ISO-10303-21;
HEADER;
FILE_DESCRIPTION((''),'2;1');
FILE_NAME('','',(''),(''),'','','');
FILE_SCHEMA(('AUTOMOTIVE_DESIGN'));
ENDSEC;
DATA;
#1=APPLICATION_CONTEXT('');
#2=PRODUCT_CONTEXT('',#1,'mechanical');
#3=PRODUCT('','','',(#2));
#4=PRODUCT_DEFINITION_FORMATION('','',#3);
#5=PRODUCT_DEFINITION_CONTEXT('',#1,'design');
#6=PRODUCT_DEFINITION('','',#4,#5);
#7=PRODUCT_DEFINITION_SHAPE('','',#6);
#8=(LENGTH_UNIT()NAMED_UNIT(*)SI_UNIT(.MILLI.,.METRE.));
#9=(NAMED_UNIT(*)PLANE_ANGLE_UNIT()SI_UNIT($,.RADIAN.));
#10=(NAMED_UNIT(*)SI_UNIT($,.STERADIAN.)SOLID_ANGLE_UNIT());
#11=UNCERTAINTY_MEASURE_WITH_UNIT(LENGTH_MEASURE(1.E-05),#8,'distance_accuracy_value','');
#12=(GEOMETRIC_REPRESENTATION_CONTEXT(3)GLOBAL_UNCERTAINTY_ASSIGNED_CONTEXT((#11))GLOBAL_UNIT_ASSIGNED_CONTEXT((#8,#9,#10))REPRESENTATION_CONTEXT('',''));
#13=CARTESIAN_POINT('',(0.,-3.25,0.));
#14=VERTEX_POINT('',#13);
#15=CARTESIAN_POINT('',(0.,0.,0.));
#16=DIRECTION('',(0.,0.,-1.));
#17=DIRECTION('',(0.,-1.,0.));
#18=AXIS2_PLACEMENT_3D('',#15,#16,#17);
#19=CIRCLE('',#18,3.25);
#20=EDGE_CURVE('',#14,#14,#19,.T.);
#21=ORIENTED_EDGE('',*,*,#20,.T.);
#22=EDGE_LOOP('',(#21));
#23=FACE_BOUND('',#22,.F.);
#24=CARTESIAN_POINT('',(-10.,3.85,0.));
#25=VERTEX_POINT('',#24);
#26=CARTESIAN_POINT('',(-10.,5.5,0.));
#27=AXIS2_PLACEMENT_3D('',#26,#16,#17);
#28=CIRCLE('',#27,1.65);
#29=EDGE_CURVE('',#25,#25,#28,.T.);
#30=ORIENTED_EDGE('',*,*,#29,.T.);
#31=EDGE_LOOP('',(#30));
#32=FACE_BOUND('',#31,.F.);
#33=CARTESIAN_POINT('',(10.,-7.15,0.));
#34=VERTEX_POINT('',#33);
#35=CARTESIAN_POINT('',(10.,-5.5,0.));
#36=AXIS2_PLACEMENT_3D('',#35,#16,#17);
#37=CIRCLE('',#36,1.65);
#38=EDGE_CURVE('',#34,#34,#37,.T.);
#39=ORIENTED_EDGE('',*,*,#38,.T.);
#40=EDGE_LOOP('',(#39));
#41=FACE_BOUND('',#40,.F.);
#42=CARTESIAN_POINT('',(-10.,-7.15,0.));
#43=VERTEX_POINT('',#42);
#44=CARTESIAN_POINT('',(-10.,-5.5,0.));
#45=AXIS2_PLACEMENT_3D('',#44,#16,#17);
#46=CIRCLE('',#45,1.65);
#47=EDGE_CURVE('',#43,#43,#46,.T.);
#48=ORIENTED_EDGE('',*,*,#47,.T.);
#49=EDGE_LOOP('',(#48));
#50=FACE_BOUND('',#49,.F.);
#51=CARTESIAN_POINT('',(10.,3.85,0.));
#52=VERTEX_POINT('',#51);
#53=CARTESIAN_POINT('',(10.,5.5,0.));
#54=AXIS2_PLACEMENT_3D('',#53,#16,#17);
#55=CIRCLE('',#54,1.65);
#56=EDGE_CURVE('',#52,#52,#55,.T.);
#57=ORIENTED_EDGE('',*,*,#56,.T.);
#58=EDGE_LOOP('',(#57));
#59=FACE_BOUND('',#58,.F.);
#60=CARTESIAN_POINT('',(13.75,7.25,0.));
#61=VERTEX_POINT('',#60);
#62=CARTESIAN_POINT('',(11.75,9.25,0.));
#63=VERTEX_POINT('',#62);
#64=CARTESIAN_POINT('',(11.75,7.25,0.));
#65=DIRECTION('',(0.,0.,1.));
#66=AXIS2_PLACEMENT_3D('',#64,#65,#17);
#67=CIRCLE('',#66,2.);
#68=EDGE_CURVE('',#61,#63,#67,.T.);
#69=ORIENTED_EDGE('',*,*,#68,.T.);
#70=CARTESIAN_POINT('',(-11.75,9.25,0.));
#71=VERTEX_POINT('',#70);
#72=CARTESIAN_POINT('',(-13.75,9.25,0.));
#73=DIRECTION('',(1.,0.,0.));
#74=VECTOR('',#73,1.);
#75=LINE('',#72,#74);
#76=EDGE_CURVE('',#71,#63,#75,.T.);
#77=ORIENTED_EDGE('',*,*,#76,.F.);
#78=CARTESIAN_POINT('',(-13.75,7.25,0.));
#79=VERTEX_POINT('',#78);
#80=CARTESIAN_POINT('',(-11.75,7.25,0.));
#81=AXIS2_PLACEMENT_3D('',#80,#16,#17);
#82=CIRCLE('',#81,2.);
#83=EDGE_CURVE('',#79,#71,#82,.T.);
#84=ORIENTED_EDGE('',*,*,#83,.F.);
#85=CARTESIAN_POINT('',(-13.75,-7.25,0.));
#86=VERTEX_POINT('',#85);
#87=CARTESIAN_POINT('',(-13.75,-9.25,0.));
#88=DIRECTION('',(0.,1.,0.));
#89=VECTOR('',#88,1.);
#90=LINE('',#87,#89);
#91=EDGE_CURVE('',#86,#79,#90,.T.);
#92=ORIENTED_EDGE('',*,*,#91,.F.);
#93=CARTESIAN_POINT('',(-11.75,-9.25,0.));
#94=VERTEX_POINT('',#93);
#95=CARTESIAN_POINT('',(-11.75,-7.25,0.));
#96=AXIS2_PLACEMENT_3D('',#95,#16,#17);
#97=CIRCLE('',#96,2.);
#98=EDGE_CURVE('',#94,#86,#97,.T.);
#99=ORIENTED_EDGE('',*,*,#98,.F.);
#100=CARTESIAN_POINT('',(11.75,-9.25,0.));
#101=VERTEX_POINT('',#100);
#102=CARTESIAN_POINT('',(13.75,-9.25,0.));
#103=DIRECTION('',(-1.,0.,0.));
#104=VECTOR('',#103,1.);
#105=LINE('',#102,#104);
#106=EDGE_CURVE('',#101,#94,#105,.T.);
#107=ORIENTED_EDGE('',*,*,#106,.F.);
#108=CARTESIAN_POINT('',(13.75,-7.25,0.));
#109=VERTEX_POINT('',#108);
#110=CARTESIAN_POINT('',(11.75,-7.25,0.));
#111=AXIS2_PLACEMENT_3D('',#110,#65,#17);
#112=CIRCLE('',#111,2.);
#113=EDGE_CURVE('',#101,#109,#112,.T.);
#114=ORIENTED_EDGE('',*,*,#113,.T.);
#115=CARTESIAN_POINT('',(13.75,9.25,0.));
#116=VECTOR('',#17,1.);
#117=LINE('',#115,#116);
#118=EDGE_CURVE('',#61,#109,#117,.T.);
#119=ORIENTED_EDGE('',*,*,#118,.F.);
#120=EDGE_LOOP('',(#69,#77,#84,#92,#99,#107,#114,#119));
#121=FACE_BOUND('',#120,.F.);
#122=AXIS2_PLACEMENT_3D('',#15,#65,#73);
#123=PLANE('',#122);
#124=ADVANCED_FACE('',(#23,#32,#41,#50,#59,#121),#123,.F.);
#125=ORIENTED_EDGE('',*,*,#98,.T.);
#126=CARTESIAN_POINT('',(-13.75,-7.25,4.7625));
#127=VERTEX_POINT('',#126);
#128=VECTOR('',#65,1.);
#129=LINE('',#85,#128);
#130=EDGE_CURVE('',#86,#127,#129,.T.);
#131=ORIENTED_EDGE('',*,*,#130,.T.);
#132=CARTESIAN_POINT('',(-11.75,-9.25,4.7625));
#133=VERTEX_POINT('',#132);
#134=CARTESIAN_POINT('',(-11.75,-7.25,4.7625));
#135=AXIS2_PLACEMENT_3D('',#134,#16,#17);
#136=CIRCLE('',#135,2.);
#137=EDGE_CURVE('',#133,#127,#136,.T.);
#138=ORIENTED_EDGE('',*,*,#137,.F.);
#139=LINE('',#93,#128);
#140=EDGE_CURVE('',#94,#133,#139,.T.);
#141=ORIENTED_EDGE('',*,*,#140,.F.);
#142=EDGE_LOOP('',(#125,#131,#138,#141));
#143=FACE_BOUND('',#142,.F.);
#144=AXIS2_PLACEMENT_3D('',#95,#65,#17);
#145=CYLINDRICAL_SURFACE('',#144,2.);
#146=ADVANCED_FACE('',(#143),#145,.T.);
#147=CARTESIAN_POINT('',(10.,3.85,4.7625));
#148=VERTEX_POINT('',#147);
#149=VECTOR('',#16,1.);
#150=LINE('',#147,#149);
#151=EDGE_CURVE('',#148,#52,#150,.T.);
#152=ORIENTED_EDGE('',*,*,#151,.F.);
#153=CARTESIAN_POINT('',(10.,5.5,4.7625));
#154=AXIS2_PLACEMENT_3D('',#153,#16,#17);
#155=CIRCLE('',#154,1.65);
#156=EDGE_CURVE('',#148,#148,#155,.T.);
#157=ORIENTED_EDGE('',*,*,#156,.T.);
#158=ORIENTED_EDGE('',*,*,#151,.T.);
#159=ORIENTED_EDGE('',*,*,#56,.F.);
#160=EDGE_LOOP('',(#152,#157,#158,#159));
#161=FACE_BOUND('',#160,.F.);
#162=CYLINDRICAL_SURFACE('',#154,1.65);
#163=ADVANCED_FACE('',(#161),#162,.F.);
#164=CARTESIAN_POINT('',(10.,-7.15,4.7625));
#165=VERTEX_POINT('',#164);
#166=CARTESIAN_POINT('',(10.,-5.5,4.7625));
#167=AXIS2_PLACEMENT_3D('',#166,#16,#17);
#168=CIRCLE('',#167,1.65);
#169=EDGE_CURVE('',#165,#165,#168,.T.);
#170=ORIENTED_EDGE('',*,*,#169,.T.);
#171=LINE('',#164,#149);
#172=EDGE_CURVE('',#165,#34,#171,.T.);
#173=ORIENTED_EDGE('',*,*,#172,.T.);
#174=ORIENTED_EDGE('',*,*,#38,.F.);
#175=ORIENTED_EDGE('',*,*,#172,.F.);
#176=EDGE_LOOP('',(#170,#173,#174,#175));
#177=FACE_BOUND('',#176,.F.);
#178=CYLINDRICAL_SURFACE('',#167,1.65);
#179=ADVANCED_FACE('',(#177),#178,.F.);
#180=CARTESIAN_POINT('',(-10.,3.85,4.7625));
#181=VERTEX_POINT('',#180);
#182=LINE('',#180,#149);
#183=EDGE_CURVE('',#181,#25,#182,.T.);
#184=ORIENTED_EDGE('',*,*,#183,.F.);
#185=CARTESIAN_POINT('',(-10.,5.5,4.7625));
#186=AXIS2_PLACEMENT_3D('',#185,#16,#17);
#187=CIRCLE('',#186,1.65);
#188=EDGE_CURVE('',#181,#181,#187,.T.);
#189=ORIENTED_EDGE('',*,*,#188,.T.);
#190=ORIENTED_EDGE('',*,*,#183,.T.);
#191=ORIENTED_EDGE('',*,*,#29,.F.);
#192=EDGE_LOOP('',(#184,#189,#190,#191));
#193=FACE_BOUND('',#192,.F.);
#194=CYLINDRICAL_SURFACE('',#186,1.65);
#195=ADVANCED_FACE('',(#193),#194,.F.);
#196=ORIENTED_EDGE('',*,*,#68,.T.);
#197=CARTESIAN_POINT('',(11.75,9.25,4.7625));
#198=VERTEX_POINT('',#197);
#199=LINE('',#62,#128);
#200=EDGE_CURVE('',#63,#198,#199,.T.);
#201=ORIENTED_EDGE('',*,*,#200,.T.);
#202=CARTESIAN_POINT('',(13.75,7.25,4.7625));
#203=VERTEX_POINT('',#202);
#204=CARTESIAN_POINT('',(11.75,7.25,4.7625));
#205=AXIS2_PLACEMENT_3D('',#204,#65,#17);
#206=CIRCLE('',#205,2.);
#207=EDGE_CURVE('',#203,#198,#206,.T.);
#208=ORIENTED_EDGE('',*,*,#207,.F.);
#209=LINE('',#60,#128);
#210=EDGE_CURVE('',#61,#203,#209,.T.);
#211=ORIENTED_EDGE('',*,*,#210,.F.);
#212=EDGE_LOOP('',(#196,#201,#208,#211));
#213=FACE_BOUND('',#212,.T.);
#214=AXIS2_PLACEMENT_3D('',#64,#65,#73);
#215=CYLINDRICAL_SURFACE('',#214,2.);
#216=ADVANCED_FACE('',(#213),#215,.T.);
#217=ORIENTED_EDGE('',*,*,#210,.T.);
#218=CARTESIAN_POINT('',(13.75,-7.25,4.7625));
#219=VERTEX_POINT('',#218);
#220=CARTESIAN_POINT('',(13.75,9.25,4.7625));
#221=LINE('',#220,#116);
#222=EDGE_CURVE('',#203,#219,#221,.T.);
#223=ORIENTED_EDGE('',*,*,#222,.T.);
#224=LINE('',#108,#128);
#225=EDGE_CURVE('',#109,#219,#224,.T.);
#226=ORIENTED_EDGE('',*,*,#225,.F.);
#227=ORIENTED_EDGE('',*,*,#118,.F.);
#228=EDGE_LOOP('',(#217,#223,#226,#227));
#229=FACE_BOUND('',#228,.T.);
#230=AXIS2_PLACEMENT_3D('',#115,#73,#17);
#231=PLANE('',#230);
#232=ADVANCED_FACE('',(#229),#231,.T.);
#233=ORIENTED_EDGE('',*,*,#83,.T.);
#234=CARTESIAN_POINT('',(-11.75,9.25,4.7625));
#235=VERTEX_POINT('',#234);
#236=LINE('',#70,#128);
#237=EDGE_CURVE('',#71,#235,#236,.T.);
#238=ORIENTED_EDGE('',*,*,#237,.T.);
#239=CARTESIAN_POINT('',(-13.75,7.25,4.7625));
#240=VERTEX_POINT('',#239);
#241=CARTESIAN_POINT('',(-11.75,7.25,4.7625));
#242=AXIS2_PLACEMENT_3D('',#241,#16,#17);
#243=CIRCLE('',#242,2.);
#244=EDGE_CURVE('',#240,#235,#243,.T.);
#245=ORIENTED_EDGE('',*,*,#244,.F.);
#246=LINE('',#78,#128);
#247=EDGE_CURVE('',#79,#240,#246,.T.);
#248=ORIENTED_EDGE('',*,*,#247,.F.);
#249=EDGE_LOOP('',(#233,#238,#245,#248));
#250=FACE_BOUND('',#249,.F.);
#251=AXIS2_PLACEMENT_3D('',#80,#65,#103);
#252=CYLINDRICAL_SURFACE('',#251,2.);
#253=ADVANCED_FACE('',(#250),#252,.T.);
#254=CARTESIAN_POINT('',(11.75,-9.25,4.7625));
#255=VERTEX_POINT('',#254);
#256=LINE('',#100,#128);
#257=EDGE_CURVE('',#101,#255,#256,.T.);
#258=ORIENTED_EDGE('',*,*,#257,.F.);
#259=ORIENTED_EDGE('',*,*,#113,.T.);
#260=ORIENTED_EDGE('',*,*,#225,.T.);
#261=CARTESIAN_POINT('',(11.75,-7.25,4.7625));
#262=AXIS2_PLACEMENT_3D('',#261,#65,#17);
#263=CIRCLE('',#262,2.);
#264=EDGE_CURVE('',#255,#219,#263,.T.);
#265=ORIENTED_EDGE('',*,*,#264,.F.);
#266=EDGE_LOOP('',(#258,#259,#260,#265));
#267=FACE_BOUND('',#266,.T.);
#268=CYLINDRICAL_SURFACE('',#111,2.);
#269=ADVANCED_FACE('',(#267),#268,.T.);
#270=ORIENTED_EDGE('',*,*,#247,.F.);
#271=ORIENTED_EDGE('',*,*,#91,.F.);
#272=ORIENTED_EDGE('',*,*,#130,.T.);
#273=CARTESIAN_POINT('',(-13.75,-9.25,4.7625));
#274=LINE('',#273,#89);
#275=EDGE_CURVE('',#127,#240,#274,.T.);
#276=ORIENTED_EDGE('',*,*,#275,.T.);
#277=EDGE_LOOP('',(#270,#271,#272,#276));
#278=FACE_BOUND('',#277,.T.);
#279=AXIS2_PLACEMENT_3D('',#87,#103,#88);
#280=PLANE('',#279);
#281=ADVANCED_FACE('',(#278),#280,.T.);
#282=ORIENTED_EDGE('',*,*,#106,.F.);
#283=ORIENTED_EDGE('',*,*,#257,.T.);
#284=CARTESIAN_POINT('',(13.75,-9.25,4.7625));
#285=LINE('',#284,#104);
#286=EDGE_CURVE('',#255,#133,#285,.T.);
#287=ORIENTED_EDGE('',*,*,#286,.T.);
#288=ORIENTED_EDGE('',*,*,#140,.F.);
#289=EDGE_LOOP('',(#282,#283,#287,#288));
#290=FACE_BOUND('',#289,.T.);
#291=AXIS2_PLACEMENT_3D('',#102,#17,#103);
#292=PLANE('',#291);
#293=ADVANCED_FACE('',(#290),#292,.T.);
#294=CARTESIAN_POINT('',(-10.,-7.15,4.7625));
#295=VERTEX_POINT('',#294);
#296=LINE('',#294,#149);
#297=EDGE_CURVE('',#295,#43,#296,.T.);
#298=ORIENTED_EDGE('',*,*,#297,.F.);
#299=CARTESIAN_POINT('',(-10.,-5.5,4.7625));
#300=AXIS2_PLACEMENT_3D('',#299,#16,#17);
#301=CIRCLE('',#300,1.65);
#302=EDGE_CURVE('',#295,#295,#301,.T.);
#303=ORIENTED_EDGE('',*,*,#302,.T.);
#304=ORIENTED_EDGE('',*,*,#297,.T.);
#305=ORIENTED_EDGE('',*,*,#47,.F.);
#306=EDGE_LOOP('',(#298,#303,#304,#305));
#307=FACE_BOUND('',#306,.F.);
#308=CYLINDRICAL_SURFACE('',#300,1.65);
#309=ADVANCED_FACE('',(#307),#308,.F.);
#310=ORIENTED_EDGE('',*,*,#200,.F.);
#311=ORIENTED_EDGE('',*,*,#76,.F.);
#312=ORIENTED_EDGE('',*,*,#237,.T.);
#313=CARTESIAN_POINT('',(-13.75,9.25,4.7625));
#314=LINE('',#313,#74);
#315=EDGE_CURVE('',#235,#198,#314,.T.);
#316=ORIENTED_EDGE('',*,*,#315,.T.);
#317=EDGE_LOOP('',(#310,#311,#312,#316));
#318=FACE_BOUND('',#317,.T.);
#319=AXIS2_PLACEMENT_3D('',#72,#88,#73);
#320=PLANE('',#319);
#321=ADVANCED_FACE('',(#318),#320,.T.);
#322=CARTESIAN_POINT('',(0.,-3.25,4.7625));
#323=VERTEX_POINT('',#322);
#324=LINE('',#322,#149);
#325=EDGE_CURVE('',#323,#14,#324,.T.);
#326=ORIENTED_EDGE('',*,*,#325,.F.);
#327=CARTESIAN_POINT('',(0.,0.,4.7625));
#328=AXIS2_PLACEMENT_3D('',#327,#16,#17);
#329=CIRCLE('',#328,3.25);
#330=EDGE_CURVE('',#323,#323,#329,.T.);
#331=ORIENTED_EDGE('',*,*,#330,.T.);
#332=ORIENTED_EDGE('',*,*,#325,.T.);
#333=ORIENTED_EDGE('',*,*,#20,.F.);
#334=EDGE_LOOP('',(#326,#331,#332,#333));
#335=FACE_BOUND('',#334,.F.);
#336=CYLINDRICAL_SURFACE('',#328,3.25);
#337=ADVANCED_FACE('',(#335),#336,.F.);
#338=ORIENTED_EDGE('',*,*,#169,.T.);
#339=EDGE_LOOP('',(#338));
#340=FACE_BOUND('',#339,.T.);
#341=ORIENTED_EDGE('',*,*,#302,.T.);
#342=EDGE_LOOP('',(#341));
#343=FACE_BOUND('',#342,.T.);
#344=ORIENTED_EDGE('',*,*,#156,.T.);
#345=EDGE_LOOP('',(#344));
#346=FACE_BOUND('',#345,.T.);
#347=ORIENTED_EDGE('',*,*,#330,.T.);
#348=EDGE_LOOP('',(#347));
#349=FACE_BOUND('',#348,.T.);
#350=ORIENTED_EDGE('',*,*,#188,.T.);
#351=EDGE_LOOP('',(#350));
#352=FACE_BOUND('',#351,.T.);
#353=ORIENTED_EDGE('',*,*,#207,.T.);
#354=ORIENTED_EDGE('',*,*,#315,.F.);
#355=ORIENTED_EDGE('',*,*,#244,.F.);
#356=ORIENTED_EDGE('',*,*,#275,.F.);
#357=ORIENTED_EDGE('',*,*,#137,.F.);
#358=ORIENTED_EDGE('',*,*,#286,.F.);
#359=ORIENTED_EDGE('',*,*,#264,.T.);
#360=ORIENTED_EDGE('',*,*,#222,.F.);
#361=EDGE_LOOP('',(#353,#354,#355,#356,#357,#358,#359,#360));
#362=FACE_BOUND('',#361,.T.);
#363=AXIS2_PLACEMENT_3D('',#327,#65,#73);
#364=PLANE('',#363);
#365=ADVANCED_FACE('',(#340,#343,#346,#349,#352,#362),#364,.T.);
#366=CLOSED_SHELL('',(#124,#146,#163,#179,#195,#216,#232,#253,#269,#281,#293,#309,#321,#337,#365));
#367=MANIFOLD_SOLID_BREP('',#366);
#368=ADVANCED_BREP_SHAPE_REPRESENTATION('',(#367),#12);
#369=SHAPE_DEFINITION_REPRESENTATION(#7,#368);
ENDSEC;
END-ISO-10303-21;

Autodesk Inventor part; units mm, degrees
ref_plane "YZ Plane" through (0, 0, 0) normal (1, 0, 0) x (0, 1, 0)
ref_plane "XZ Plane" through (0, 0, 0) normal (0, 1, 0) x (-1, 0, 0)
ref_plane "XY Plane" through (0, 0, 0) normal (0, 0, 1) x (1, 0, 0)
sketch "Sketch1" plane through (0, 0, 0) normal (0, 0, 1) x (1, 0, 0)
  line L0 (13.75, -9.25) -> (-13.75, -9.25)
  line L1 (-13.75, -9.25) -> (-13.75, 9.25)
  line L2 (-13.75, 9.25) -> (13.75, 9.25)
  line L3 (13.75, 9.25) -> (13.75, -9.25)
  line L4 (13.75, -9.25) -> (-13.75, 9.25) construction
  line L5 (-13.75, -9.25) -> (13.75, 9.25) construction
  point P0 (0, 0)
  dimension "d0" = 27.5
  dimension "d1" = 18.5
extrude "Extrusion1" add sketch "Sketch1" along normal blind 4.7625
sketch "Sketch2" plane through (0, 0, 4.7625) normal (0, 0, 1) x (1, 0, 0)
  line L0 (10, -5.5) -> (-10, -5.5) construction
  line L1 (-10, -5.5) -> (-10, 5.5) construction
  line L2 (-10, 5.5) -> (10, 5.5) construction
  line L3 (10, 5.5) -> (10, -5.5) construction
  line L4 (10, -5.5) -> (-10, 5.5) construction
  line L5 (-10, -5.5) -> (10, 5.5) construction
  point P0 (0, 0)
  dimension "d4" = 20
  dimension "d5" = 11
hole "Hole1" at (-10, 5.5, 4.7625) at (10, 5.5, 4.7625) at (10, -5.5, 4.7625) at (-10, -5.5, 4.7625) direction (0, 0, -1) diameter 3.3 end through all
sketch "Sketch3" plane through (0, 0, 4.7625) normal (0, 0, 1) x (1, 0, 0)
  point P0 (0, 0)
hole "Hole2" at (0, 0, 4.7625) direction (0, 0, -1) diameter 6.5 end through all
fillet "Fillet1" radius 2 4 edges at (-13.75, 9.25, 2.3813) (-13.75, -9.25, 2.3813) (13.75, -9.25, 2.3813) (13.75, 9.25, 2.3813)
properties part number "Printhead Belt Retainer Top Spacer" material "Aluminum 6061"
